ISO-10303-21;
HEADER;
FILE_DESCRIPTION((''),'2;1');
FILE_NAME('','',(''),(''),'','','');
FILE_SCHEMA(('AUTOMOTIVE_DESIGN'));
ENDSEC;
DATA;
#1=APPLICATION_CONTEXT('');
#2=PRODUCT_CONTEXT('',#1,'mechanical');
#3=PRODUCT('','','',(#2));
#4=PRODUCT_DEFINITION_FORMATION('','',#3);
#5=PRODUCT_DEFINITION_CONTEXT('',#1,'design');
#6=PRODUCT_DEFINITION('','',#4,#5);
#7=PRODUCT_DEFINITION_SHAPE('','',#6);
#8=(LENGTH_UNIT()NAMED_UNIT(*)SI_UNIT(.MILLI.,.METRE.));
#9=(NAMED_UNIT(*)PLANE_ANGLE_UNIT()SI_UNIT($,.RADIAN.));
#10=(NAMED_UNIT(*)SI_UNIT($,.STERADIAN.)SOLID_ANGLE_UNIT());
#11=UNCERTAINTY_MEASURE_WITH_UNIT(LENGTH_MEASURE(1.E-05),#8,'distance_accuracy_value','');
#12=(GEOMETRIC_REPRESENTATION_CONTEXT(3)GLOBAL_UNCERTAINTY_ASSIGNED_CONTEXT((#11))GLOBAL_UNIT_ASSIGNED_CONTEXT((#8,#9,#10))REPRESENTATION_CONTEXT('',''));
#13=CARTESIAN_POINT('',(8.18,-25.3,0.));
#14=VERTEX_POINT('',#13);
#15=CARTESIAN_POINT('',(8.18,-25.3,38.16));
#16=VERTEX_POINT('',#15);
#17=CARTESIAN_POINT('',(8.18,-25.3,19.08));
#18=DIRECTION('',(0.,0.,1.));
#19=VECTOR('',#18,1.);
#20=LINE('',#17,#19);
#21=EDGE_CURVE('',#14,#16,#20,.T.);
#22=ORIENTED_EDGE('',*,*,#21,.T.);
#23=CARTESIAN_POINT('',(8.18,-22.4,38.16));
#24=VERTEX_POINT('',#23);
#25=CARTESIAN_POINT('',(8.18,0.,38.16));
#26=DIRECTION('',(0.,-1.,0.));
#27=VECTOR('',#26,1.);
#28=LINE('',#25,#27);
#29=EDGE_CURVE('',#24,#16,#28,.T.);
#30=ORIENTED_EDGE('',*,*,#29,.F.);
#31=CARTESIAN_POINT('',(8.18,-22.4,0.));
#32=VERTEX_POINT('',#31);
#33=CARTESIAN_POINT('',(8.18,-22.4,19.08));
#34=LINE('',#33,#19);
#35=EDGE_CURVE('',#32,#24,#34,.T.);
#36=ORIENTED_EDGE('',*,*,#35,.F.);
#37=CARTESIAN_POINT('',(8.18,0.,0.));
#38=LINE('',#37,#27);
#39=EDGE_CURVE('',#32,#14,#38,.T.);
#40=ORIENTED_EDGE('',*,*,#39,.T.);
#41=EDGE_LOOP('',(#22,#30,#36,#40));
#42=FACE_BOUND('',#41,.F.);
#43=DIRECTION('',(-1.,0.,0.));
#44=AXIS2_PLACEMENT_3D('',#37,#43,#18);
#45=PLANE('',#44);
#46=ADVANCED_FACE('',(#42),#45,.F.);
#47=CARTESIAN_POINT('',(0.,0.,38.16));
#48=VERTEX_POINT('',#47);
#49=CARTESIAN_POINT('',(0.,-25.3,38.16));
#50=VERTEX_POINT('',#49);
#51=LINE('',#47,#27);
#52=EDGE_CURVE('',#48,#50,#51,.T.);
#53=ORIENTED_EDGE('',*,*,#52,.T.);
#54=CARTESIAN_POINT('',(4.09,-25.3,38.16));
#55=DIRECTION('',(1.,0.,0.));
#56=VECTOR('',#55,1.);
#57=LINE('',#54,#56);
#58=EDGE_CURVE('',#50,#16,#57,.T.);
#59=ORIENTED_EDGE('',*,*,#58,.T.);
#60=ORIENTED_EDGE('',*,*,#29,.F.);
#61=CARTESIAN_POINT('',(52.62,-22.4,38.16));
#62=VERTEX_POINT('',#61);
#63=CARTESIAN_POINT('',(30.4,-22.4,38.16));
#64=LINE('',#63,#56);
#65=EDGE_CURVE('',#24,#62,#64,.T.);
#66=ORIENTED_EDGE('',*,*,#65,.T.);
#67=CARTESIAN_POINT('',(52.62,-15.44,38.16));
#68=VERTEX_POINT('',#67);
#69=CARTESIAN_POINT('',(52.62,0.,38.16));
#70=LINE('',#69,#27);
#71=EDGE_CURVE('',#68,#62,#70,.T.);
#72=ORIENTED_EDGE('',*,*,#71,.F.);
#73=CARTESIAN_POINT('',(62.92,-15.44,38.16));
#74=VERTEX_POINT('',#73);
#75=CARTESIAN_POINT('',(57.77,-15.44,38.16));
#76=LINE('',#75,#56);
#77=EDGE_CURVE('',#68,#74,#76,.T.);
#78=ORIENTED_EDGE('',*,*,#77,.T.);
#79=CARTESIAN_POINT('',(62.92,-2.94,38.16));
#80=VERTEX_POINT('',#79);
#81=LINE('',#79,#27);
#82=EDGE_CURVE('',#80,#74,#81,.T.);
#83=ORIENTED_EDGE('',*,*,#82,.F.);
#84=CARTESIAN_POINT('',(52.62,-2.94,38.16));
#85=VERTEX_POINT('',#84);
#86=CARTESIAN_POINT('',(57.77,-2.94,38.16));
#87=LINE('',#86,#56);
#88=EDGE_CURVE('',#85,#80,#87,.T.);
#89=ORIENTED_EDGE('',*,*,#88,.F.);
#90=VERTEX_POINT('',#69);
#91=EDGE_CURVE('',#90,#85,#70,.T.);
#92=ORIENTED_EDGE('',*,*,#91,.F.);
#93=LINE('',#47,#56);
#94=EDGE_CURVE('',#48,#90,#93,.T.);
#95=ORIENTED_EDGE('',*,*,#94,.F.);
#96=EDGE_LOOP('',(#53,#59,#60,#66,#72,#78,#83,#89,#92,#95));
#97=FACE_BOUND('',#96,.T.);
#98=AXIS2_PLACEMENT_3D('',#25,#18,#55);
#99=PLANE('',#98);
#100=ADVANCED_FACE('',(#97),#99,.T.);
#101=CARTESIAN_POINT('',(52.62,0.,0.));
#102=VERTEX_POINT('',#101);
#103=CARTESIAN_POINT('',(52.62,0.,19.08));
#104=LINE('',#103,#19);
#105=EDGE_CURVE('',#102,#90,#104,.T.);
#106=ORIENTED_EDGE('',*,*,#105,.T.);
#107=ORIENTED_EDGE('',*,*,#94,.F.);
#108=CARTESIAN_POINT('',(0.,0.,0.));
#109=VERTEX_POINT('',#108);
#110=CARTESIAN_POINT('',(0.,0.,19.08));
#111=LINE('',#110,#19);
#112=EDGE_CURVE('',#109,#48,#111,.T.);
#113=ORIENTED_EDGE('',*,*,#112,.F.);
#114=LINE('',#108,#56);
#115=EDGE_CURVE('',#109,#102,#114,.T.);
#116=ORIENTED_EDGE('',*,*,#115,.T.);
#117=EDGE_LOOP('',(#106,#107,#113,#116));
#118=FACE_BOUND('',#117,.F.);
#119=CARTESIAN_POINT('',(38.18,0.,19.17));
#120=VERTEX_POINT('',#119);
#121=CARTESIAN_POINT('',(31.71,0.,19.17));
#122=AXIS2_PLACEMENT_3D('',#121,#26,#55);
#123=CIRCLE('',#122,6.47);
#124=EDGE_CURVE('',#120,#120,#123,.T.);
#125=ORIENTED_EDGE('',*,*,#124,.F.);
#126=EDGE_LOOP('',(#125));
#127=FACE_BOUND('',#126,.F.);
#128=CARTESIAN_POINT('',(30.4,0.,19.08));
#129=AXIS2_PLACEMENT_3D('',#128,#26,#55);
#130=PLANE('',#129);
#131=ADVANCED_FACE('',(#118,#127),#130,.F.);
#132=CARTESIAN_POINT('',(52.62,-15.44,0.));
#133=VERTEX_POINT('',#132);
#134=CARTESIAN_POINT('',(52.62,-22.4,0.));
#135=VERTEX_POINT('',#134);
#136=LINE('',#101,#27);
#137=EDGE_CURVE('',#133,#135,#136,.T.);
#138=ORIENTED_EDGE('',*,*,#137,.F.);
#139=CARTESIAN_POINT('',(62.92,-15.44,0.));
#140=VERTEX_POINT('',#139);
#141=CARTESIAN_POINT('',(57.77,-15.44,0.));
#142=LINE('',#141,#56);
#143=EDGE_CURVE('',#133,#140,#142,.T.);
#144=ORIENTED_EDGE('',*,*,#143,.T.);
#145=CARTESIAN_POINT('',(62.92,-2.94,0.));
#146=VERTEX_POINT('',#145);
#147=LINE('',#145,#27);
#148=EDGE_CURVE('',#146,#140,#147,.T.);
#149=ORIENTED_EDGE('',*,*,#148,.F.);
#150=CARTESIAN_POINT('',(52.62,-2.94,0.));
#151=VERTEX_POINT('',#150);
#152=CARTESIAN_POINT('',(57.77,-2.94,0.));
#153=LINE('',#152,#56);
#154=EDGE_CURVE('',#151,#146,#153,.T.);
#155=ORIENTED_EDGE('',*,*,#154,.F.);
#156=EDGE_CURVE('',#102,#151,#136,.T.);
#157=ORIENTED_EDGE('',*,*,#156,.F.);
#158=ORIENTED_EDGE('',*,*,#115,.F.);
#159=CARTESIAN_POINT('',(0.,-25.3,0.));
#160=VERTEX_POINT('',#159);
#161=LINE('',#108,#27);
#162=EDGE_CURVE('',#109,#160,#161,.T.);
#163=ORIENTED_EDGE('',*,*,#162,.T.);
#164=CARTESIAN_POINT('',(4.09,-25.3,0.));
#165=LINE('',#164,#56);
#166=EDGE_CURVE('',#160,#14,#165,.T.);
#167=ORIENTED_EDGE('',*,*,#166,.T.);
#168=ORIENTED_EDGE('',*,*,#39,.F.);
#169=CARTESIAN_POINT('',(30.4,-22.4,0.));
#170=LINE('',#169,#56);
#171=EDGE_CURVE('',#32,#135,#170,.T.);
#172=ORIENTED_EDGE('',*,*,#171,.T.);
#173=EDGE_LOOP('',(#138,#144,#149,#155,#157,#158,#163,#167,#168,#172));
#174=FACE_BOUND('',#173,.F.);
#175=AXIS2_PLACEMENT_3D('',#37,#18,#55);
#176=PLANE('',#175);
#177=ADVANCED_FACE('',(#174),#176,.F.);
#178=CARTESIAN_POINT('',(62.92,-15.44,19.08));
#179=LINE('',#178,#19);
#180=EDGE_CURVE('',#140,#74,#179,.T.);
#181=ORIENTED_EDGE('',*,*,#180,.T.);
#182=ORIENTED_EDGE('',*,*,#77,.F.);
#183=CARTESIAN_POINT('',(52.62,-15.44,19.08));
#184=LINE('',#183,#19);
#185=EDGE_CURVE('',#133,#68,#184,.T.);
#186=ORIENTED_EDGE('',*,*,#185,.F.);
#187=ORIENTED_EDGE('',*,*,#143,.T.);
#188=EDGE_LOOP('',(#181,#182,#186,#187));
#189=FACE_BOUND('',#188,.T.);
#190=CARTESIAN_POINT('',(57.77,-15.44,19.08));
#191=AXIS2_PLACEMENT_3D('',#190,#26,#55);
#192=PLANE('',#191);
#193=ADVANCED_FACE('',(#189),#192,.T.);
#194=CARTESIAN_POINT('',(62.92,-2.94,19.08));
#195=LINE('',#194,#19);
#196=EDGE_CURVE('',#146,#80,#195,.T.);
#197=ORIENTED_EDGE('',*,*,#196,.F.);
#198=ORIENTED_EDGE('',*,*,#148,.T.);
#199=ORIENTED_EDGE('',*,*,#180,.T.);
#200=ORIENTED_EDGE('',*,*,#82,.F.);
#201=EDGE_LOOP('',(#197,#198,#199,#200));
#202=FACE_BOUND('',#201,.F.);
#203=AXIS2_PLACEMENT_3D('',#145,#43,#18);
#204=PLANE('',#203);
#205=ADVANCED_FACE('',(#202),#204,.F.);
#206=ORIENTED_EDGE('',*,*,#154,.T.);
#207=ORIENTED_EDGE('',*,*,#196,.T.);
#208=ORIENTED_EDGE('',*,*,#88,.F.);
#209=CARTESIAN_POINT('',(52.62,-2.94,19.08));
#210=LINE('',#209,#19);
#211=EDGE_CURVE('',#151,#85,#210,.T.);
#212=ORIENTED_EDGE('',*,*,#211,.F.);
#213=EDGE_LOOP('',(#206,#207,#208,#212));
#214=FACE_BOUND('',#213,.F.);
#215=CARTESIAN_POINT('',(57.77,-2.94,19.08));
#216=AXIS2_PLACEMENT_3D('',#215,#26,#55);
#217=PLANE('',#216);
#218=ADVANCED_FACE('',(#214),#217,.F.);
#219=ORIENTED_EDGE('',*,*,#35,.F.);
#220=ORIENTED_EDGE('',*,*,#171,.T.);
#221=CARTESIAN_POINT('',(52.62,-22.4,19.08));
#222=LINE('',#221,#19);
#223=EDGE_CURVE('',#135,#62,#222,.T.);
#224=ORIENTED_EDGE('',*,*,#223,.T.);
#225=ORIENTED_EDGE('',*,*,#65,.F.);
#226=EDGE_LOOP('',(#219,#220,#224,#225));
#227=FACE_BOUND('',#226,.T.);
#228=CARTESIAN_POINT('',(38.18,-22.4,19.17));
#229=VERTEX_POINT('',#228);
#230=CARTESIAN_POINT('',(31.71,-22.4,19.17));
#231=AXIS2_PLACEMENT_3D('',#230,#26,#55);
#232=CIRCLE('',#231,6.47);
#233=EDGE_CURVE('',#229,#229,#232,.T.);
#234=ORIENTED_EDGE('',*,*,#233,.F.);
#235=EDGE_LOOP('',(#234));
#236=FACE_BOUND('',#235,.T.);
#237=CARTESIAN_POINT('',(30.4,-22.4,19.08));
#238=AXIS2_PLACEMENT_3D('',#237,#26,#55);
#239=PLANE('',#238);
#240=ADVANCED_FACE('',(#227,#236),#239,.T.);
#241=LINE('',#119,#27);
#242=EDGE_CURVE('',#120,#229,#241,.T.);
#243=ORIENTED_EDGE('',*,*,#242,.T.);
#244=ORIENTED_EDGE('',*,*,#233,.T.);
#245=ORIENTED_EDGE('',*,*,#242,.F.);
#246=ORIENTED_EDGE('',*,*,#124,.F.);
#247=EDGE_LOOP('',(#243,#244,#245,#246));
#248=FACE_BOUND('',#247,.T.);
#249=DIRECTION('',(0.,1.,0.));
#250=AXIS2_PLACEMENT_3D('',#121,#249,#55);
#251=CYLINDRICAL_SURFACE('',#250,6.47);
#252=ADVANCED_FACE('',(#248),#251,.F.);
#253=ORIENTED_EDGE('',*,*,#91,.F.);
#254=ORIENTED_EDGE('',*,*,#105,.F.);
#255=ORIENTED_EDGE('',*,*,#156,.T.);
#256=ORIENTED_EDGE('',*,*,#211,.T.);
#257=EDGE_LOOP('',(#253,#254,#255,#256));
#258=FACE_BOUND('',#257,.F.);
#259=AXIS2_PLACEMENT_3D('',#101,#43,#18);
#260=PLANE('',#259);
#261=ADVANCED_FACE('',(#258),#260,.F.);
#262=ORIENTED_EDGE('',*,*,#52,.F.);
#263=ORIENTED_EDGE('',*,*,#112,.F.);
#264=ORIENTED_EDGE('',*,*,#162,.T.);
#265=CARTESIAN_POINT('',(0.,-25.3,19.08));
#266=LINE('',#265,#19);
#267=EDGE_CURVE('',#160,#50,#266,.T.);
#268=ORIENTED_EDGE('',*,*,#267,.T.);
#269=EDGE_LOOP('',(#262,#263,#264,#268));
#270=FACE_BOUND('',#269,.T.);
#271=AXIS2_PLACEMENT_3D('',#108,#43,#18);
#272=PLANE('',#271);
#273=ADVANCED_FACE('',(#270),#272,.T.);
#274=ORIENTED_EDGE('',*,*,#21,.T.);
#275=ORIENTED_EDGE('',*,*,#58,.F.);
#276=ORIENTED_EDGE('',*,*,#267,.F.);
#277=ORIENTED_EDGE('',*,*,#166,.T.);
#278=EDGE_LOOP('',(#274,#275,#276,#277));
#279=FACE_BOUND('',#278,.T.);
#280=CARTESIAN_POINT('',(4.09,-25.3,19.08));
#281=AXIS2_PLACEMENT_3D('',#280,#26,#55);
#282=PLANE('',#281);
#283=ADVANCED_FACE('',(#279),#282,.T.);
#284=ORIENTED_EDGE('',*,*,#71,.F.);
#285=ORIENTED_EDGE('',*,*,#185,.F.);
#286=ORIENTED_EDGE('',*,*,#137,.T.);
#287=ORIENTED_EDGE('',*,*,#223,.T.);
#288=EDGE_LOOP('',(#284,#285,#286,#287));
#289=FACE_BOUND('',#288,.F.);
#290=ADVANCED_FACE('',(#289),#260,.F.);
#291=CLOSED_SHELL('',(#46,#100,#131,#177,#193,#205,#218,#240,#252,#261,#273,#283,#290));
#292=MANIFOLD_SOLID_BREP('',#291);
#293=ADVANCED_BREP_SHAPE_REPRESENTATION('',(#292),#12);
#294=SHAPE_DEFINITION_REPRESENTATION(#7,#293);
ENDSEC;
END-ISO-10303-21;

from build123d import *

# Parameters (mm, degrees)
F0_W     = 8.18
F0_H     = 38.16
F1_DEPTH = 25.3
F0_W_2   = 44.44
F0_R     = 6.47
F2_DEPTH = 22.4
F3_START = 2.94
F0_W_3   = 10.3
F3_DEPTH = 12.5


with BuildPart() as f1:
    # F0 (on Front) → F1 (new body)
    with BuildSketch(Plane.XZ):
        with Locations((4.09, 19.08)):
            Rectangle(F0_W, F0_H)
    extrude(amount=F1_DEPTH)

    # F0 (on Front) → F2 (join)
    with BuildSketch(Plane.XZ):
        with Locations((30.4, 19.08)):
            Rectangle(F0_W_2, F0_H)
        with Locations((31.71, 19.17)):
            Circle(F0_R, mode=Mode.SUBTRACT)
    extrude(amount=F2_DEPTH)

    # F0 (on Front) → F3 (join)
    with BuildSketch(Plane.XZ.offset(F3_START)):
        with Locations((57.77, 19.08)):
            Rectangle(F0_W_3, F0_H)
    extrude(amount=F3_DEPTH)


solid = f1.part
